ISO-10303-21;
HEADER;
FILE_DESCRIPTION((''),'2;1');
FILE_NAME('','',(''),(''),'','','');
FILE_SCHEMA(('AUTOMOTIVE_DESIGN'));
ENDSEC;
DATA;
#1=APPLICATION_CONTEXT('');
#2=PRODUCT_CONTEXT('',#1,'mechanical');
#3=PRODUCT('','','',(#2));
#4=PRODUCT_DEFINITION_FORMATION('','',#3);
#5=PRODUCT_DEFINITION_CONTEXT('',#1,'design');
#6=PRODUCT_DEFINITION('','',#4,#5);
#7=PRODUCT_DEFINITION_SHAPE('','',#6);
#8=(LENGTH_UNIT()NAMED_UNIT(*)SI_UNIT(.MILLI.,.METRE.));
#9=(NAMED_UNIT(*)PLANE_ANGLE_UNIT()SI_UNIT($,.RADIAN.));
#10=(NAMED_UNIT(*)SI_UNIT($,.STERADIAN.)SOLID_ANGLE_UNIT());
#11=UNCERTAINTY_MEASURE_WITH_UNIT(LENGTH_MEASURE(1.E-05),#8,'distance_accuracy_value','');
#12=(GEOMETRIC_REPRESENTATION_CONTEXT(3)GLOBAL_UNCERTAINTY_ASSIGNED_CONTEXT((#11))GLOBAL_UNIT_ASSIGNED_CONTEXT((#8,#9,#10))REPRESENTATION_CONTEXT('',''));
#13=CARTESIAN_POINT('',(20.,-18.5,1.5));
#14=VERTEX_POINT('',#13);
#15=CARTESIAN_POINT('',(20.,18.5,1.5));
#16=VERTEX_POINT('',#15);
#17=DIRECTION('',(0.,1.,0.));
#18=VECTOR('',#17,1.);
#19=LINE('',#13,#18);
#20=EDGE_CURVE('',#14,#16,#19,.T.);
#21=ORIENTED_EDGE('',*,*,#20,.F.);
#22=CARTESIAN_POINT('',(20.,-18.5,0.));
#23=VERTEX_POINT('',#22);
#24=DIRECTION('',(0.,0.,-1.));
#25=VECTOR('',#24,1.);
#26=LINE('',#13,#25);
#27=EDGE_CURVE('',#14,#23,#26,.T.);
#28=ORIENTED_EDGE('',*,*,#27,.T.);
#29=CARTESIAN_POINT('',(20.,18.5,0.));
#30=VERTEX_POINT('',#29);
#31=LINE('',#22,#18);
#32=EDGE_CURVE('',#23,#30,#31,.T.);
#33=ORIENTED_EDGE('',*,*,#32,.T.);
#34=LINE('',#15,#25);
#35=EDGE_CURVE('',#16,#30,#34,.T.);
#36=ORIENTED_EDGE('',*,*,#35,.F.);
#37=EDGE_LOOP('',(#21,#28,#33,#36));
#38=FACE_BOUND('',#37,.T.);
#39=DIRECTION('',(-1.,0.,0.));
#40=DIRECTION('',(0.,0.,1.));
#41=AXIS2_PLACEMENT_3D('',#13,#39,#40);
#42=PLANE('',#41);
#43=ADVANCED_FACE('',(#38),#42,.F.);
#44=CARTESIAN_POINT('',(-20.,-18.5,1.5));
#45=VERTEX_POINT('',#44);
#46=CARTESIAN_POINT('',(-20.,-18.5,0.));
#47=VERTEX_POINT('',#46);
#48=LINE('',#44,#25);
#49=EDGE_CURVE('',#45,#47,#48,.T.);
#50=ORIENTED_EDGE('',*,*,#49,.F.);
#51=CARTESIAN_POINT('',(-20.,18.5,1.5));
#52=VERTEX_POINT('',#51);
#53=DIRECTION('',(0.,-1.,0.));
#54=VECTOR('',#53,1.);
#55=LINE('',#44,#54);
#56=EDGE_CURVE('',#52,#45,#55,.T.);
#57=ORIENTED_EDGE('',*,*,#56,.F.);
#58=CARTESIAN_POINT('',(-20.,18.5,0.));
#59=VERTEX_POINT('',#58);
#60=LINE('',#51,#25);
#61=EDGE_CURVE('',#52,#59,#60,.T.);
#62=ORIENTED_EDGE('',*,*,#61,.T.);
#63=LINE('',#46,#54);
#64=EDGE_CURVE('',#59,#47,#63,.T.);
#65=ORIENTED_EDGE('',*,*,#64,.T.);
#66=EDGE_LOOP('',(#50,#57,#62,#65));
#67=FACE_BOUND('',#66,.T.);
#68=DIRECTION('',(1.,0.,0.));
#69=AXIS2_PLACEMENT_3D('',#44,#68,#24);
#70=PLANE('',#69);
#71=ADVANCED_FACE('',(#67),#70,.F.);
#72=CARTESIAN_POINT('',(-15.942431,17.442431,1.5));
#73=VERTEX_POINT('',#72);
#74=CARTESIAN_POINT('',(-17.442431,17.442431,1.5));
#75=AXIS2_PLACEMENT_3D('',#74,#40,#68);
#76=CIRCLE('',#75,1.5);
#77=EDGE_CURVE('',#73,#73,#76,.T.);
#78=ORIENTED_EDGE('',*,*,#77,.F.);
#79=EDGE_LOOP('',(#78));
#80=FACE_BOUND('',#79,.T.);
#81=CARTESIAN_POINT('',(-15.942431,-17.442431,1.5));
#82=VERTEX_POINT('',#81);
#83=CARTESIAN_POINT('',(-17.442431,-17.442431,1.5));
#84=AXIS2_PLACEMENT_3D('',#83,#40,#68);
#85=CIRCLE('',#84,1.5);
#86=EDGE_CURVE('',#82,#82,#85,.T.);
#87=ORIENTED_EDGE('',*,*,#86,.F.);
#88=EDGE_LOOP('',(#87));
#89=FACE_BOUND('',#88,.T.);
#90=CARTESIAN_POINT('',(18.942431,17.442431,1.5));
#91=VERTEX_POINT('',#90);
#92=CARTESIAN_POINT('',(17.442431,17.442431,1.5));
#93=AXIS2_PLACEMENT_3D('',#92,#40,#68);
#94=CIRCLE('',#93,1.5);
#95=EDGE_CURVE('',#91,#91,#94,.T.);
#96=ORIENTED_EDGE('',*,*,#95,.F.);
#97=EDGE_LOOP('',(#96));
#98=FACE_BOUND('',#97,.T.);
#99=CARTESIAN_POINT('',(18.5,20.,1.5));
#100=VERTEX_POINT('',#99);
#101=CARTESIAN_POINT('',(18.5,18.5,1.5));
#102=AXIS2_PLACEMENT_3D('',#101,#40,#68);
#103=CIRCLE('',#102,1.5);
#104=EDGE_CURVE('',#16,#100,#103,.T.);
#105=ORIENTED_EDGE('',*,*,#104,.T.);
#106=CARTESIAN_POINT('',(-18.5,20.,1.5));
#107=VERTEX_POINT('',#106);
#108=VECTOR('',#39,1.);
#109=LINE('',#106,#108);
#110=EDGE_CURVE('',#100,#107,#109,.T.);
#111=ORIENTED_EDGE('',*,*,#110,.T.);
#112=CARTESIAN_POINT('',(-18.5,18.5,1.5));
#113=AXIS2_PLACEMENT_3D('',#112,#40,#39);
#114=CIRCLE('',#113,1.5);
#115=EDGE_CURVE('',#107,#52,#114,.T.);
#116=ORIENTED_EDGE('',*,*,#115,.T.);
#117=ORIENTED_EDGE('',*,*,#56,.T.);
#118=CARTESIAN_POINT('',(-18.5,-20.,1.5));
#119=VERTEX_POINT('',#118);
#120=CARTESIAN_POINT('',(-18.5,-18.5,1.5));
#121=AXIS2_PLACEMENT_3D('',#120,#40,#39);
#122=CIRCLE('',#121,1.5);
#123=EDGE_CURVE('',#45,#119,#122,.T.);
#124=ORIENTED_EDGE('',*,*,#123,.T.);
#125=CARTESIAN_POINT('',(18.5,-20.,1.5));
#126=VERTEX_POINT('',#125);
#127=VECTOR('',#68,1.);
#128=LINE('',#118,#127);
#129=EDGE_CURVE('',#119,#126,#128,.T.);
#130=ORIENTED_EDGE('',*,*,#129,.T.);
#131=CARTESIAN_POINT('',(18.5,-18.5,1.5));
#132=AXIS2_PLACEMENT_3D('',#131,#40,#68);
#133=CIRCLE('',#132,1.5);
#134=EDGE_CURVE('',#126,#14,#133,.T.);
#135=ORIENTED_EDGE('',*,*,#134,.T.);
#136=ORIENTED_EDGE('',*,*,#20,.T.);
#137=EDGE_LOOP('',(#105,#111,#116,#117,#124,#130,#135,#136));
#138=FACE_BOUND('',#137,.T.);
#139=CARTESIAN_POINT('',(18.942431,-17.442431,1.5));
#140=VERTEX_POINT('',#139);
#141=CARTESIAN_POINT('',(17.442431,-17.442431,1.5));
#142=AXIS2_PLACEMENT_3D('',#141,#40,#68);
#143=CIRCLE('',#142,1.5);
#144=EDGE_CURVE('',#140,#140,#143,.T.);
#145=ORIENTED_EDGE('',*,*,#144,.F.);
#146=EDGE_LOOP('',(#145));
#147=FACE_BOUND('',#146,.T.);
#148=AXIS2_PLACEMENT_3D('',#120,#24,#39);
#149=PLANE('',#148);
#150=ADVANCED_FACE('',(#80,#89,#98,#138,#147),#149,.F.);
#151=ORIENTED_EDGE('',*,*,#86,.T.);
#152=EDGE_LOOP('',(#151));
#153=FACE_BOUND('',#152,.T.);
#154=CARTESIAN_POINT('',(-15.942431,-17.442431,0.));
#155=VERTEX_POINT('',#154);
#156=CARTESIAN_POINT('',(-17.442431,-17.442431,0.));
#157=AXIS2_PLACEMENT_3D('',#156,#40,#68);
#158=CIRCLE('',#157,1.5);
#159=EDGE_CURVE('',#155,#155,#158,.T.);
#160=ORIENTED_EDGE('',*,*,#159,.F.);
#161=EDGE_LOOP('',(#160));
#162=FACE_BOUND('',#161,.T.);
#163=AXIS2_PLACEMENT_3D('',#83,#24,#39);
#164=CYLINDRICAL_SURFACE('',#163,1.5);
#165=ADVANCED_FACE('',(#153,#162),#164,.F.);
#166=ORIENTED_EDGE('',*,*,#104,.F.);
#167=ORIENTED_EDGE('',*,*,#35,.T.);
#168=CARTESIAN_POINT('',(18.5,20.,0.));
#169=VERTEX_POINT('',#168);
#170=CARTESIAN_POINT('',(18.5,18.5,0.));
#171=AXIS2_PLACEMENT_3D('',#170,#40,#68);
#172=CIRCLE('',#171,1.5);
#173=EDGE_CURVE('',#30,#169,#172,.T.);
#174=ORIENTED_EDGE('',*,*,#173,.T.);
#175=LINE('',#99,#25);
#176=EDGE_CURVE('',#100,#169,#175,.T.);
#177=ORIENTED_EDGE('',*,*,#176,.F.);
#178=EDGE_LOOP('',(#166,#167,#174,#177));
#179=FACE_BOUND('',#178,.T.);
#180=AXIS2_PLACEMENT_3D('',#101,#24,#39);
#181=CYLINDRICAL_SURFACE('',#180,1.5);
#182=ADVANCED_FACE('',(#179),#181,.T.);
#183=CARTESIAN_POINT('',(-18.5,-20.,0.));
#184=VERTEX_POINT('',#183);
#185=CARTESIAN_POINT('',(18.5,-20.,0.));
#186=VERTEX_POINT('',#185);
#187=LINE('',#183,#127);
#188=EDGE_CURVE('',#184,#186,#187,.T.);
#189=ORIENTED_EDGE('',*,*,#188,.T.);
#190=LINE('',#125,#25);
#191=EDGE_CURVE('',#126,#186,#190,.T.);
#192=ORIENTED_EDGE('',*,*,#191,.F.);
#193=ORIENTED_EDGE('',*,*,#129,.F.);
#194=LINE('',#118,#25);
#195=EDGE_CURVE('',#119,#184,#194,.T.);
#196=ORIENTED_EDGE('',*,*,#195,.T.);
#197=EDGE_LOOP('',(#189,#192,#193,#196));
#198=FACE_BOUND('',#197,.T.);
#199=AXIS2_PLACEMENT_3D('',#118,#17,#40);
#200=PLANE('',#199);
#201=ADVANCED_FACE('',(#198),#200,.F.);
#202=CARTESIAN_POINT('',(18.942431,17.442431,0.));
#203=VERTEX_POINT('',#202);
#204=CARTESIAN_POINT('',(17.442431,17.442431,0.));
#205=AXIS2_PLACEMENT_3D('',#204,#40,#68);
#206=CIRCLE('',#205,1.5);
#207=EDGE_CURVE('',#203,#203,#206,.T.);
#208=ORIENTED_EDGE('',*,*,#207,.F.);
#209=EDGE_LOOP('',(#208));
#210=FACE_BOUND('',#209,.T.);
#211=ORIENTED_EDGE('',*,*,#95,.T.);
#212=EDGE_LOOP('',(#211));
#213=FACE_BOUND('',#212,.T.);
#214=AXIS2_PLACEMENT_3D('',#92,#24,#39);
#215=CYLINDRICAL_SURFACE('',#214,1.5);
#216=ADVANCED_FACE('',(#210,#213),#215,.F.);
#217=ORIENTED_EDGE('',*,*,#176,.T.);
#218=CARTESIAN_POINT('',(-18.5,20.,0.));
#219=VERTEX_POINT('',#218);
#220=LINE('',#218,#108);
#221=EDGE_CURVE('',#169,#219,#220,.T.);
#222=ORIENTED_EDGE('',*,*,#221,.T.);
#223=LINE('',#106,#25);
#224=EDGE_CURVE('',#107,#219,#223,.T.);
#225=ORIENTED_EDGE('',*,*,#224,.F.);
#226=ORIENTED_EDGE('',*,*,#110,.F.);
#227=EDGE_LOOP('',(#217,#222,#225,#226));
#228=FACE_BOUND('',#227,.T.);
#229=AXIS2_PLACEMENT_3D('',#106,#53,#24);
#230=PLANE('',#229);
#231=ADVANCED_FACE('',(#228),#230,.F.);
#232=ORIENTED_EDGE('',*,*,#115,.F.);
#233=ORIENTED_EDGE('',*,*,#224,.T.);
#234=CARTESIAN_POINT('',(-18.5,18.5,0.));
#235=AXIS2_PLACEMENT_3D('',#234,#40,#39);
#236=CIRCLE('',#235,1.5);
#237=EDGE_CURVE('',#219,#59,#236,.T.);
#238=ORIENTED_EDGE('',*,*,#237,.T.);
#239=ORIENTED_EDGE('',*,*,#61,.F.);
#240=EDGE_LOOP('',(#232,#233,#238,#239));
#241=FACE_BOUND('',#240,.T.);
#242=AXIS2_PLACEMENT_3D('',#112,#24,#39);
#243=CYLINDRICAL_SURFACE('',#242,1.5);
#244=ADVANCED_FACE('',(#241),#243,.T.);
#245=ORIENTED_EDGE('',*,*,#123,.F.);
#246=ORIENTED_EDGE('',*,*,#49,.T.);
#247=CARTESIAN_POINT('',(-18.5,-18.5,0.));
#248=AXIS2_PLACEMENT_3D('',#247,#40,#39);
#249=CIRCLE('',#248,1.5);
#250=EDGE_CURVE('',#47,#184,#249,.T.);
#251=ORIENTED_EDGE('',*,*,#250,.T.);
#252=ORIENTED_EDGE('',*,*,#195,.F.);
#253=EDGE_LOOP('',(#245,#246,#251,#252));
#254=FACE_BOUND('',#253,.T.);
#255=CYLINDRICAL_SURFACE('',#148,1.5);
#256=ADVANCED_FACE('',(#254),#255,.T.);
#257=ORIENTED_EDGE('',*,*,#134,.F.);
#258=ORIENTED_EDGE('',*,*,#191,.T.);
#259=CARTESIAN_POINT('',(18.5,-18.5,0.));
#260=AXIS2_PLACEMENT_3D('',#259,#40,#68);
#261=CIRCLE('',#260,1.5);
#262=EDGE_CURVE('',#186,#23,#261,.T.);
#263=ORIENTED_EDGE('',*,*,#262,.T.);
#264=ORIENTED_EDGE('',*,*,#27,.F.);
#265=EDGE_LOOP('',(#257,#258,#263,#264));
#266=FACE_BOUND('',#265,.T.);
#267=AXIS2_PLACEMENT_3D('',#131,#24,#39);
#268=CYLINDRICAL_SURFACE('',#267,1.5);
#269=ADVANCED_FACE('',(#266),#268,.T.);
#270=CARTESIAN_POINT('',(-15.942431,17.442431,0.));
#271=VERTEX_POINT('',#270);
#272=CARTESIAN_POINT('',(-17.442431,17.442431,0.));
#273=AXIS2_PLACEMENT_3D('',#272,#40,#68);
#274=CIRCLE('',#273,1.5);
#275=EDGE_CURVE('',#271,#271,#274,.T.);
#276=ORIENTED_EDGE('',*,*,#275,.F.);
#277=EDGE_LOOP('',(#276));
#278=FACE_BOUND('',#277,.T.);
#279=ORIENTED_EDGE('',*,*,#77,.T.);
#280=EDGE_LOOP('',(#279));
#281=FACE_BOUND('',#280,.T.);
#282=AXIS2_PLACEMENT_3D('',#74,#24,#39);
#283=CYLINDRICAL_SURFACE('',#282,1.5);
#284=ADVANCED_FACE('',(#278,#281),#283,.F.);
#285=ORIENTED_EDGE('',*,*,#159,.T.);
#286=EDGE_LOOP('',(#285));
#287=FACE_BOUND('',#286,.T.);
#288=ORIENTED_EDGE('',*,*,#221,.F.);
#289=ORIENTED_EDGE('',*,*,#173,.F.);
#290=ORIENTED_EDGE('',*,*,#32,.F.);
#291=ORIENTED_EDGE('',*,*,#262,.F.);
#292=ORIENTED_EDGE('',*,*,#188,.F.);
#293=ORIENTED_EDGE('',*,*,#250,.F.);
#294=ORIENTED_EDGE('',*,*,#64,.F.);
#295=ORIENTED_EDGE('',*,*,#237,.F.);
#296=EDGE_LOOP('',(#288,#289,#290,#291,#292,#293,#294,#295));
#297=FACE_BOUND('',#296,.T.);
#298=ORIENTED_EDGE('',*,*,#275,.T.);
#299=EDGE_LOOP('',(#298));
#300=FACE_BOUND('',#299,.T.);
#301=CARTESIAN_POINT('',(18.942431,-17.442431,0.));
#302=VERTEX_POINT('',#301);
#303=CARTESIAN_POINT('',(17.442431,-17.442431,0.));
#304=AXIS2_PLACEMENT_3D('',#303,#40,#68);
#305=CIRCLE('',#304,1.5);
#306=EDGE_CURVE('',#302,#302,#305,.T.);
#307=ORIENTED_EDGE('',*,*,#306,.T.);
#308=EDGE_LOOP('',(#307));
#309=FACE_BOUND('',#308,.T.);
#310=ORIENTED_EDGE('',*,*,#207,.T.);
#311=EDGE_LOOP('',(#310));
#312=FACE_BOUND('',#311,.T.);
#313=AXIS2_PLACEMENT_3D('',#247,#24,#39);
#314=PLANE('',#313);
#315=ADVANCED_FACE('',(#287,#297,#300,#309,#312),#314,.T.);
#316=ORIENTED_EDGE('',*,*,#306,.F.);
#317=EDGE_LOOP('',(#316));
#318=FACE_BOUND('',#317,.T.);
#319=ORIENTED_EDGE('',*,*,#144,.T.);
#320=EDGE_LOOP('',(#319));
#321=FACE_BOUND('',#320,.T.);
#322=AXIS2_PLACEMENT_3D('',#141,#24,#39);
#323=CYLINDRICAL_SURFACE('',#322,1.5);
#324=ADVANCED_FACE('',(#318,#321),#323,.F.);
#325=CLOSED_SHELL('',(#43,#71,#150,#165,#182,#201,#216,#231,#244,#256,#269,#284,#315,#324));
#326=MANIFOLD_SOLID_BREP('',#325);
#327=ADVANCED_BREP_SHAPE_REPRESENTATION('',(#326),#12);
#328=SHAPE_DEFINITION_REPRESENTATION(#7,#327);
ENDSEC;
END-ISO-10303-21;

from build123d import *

# Parameters (mm, degrees)
SKETCH_1_R      = 1.5
EXTRUDE_1_DEPTH = 1.5


with BuildPart() as part:
    # 草图1 → 凸台-拉伸1 (new body)
    with BuildSketch(Plane.XY):
        with BuildLine():
            Line((-18.5, -20), (18.5, -20))
            ThreePointArc((18.5, -20), (19.560660172, -19.560660172), (20, -18.5))
            Line((20, -18.5), (20, 18.5))
            ThreePointArc((20, 18.5), (19.560660172, 19.560660172), (18.5, 20))
            Line((18.5, 20), (-18.5, 20))
            ThreePointArc((-18.5, 20), (-19.560660172, 19.560660172), (-20, 18.5))
            Line((-20, 18.5), (-20, -18.5))
            ThreePointArc((-20, -18.5), (-19.560660172, -19.560660172), (-18.5, -20))
        make_face()
        with Locations((-17.442431276, 17.442431276)):
            Circle(SKETCH_1_R, mode=Mode.SUBTRACT)
        with Locations((17.442431276, 17.442431276)):
            Circle(SKETCH_1_R, mode=Mode.SUBTRACT)
        with Locations((17.442431276, -17.442431276)):
            Circle(SKETCH_1_R, mode=Mode.SUBTRACT)
        with Locations((-17.442431276, -17.442431276)):
            Circle(SKETCH_1_R, mode=Mode.SUBTRACT)
    extrude(amount=EXTRUDE_1_DEPTH)


solid = part.part
